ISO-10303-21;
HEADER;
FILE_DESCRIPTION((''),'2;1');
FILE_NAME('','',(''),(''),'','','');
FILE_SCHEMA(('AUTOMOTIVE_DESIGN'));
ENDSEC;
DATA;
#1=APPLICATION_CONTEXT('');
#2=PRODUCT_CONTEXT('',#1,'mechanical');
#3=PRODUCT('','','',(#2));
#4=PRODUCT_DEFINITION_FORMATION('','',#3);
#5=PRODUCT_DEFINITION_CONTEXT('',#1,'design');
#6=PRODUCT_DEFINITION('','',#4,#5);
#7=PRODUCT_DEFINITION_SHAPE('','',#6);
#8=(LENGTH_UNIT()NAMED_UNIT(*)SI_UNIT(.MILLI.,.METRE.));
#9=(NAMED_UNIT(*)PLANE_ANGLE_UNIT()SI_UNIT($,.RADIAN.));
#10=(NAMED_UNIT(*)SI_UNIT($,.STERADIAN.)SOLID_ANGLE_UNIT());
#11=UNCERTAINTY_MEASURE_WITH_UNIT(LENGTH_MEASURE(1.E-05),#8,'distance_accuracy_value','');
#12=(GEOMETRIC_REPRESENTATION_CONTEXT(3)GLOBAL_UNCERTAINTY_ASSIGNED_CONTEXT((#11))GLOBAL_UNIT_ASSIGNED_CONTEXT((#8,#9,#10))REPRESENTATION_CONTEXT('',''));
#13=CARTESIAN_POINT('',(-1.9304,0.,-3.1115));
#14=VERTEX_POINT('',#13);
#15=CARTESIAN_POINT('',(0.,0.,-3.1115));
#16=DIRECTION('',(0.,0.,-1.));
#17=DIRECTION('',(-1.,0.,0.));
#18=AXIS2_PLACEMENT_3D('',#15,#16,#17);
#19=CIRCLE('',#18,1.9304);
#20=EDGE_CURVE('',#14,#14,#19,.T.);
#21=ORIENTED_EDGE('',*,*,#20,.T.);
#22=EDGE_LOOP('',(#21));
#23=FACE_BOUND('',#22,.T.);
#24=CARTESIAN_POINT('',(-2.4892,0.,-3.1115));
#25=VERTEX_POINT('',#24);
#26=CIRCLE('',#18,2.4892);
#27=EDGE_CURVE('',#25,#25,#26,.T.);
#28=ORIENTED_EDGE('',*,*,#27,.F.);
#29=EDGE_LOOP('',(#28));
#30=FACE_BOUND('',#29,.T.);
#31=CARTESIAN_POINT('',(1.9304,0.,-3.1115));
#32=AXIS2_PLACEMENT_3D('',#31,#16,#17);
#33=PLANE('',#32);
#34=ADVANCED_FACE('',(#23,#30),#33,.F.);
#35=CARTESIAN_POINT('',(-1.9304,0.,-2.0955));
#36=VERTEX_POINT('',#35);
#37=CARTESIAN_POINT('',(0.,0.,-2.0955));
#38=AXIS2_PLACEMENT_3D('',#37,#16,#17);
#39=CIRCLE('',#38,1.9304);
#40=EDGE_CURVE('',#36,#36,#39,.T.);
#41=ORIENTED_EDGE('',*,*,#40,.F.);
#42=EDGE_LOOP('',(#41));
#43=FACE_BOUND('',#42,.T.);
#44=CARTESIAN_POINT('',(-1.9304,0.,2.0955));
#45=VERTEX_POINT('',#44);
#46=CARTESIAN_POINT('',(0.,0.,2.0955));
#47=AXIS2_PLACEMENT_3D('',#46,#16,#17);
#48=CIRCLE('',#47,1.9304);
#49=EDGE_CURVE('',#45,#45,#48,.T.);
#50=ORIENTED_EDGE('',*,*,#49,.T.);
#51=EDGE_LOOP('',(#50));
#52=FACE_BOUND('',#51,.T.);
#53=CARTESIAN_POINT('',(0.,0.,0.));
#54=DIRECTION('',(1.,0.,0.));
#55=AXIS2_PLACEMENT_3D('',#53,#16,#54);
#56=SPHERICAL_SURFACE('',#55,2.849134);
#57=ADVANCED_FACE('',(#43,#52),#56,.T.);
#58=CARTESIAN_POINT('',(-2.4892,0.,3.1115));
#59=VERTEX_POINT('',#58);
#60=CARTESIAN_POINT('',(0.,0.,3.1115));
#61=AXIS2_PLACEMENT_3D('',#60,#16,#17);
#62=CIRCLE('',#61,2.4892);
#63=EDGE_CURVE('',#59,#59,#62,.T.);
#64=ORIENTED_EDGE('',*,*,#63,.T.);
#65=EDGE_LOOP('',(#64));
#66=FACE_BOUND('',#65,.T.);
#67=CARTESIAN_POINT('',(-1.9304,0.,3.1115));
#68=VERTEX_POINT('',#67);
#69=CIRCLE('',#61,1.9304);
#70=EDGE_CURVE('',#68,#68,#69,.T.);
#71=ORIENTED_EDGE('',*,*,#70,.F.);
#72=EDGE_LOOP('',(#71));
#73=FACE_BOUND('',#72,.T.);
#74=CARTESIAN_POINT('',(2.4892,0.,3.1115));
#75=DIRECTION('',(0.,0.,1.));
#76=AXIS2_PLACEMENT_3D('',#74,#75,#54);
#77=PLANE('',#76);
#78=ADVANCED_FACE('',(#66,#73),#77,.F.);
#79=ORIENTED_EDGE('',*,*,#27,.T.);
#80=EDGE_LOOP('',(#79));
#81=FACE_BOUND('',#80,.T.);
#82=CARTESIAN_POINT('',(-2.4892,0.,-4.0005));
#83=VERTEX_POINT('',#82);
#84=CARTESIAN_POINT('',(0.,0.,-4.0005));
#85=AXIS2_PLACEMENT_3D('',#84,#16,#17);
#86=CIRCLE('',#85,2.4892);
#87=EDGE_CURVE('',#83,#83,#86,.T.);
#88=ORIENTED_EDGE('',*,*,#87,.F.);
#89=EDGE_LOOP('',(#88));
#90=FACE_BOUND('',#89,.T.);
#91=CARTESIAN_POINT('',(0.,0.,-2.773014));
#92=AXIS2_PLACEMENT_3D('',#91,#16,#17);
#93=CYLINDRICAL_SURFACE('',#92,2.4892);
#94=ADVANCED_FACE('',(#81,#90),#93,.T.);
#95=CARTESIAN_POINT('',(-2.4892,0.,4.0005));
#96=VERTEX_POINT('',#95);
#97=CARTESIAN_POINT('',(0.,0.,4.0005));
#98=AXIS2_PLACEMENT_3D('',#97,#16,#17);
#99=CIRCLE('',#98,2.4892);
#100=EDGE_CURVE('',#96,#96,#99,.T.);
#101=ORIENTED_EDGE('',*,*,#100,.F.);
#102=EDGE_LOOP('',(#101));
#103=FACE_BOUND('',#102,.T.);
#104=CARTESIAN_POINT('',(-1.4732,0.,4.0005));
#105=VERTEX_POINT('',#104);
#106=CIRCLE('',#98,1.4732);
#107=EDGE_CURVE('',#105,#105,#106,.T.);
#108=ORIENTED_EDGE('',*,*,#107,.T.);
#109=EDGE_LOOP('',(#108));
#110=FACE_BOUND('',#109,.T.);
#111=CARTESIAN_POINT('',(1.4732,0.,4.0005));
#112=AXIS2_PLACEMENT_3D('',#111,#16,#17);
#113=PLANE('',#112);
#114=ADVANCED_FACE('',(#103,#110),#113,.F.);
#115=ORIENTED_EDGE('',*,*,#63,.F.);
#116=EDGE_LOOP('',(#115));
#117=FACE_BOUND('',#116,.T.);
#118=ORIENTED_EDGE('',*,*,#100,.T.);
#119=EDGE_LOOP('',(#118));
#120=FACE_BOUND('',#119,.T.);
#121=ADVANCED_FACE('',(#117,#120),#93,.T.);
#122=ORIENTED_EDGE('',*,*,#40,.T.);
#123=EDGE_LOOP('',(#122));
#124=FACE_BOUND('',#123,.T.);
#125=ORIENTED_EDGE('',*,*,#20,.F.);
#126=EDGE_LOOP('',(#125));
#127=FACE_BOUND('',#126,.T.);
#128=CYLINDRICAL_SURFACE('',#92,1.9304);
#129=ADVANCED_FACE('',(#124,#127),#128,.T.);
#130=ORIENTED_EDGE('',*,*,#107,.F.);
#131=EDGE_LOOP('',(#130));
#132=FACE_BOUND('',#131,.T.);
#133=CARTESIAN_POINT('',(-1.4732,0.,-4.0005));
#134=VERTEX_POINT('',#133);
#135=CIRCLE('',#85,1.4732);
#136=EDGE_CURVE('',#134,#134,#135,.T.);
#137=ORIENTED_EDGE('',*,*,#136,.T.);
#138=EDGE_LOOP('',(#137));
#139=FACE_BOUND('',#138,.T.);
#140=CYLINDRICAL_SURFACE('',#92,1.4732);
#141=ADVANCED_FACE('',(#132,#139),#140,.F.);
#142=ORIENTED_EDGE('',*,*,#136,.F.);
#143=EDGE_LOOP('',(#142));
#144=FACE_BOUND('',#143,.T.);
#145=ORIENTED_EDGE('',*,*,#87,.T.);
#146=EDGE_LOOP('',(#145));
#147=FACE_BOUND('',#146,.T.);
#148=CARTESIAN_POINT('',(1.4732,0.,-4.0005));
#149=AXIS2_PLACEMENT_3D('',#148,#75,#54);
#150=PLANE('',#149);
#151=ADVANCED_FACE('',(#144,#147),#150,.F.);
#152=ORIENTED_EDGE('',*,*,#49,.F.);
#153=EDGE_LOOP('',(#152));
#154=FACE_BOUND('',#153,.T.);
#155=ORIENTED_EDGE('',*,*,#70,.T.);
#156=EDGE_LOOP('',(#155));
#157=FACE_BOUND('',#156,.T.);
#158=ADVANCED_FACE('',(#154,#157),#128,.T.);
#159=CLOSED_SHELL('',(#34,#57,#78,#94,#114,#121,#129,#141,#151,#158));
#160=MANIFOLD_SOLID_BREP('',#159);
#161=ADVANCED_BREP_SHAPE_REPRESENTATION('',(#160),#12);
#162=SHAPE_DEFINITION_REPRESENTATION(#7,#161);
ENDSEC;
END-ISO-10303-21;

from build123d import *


with BuildPart() as part:
    # Sketch1 → Revolve1 (revolve)
    with BuildSketch(Plane(origin=(0, 0, 0), x_dir=(1, 0, 0), z_dir=(0, 1, 0))):
        with BuildLine():
            Line((1.4732, 4.0005), (1.4732, -4.0005))
            Line((1.4732, -4.0005), (2.4892, -4.0005))
            Line((2.4892, -4.0005), (2.4892, -3.1115))
            Line((2.4892, -3.1115), (1.9304, -3.1115))
            Line((1.9304, -3.1115), (1.9304, -2.0955))
            ThreePointArc((1.9304, -2.0955), (2.849133975, 0), (1.9304, 2.0955))
            Line((1.9304, 2.0955), (1.9304, 3.1115))
            Line((1.9304, 3.1115), (2.4892, 3.1115))
            Line((2.4892, 3.1115), (2.4892, 4.0005))
            Line((2.4892, 4.0005), (1.4732, 4.0005))
        make_face()
    revolve(axis=Axis((0, 0, -2.773013621), (0, 0, 1)))


solid = part.part
